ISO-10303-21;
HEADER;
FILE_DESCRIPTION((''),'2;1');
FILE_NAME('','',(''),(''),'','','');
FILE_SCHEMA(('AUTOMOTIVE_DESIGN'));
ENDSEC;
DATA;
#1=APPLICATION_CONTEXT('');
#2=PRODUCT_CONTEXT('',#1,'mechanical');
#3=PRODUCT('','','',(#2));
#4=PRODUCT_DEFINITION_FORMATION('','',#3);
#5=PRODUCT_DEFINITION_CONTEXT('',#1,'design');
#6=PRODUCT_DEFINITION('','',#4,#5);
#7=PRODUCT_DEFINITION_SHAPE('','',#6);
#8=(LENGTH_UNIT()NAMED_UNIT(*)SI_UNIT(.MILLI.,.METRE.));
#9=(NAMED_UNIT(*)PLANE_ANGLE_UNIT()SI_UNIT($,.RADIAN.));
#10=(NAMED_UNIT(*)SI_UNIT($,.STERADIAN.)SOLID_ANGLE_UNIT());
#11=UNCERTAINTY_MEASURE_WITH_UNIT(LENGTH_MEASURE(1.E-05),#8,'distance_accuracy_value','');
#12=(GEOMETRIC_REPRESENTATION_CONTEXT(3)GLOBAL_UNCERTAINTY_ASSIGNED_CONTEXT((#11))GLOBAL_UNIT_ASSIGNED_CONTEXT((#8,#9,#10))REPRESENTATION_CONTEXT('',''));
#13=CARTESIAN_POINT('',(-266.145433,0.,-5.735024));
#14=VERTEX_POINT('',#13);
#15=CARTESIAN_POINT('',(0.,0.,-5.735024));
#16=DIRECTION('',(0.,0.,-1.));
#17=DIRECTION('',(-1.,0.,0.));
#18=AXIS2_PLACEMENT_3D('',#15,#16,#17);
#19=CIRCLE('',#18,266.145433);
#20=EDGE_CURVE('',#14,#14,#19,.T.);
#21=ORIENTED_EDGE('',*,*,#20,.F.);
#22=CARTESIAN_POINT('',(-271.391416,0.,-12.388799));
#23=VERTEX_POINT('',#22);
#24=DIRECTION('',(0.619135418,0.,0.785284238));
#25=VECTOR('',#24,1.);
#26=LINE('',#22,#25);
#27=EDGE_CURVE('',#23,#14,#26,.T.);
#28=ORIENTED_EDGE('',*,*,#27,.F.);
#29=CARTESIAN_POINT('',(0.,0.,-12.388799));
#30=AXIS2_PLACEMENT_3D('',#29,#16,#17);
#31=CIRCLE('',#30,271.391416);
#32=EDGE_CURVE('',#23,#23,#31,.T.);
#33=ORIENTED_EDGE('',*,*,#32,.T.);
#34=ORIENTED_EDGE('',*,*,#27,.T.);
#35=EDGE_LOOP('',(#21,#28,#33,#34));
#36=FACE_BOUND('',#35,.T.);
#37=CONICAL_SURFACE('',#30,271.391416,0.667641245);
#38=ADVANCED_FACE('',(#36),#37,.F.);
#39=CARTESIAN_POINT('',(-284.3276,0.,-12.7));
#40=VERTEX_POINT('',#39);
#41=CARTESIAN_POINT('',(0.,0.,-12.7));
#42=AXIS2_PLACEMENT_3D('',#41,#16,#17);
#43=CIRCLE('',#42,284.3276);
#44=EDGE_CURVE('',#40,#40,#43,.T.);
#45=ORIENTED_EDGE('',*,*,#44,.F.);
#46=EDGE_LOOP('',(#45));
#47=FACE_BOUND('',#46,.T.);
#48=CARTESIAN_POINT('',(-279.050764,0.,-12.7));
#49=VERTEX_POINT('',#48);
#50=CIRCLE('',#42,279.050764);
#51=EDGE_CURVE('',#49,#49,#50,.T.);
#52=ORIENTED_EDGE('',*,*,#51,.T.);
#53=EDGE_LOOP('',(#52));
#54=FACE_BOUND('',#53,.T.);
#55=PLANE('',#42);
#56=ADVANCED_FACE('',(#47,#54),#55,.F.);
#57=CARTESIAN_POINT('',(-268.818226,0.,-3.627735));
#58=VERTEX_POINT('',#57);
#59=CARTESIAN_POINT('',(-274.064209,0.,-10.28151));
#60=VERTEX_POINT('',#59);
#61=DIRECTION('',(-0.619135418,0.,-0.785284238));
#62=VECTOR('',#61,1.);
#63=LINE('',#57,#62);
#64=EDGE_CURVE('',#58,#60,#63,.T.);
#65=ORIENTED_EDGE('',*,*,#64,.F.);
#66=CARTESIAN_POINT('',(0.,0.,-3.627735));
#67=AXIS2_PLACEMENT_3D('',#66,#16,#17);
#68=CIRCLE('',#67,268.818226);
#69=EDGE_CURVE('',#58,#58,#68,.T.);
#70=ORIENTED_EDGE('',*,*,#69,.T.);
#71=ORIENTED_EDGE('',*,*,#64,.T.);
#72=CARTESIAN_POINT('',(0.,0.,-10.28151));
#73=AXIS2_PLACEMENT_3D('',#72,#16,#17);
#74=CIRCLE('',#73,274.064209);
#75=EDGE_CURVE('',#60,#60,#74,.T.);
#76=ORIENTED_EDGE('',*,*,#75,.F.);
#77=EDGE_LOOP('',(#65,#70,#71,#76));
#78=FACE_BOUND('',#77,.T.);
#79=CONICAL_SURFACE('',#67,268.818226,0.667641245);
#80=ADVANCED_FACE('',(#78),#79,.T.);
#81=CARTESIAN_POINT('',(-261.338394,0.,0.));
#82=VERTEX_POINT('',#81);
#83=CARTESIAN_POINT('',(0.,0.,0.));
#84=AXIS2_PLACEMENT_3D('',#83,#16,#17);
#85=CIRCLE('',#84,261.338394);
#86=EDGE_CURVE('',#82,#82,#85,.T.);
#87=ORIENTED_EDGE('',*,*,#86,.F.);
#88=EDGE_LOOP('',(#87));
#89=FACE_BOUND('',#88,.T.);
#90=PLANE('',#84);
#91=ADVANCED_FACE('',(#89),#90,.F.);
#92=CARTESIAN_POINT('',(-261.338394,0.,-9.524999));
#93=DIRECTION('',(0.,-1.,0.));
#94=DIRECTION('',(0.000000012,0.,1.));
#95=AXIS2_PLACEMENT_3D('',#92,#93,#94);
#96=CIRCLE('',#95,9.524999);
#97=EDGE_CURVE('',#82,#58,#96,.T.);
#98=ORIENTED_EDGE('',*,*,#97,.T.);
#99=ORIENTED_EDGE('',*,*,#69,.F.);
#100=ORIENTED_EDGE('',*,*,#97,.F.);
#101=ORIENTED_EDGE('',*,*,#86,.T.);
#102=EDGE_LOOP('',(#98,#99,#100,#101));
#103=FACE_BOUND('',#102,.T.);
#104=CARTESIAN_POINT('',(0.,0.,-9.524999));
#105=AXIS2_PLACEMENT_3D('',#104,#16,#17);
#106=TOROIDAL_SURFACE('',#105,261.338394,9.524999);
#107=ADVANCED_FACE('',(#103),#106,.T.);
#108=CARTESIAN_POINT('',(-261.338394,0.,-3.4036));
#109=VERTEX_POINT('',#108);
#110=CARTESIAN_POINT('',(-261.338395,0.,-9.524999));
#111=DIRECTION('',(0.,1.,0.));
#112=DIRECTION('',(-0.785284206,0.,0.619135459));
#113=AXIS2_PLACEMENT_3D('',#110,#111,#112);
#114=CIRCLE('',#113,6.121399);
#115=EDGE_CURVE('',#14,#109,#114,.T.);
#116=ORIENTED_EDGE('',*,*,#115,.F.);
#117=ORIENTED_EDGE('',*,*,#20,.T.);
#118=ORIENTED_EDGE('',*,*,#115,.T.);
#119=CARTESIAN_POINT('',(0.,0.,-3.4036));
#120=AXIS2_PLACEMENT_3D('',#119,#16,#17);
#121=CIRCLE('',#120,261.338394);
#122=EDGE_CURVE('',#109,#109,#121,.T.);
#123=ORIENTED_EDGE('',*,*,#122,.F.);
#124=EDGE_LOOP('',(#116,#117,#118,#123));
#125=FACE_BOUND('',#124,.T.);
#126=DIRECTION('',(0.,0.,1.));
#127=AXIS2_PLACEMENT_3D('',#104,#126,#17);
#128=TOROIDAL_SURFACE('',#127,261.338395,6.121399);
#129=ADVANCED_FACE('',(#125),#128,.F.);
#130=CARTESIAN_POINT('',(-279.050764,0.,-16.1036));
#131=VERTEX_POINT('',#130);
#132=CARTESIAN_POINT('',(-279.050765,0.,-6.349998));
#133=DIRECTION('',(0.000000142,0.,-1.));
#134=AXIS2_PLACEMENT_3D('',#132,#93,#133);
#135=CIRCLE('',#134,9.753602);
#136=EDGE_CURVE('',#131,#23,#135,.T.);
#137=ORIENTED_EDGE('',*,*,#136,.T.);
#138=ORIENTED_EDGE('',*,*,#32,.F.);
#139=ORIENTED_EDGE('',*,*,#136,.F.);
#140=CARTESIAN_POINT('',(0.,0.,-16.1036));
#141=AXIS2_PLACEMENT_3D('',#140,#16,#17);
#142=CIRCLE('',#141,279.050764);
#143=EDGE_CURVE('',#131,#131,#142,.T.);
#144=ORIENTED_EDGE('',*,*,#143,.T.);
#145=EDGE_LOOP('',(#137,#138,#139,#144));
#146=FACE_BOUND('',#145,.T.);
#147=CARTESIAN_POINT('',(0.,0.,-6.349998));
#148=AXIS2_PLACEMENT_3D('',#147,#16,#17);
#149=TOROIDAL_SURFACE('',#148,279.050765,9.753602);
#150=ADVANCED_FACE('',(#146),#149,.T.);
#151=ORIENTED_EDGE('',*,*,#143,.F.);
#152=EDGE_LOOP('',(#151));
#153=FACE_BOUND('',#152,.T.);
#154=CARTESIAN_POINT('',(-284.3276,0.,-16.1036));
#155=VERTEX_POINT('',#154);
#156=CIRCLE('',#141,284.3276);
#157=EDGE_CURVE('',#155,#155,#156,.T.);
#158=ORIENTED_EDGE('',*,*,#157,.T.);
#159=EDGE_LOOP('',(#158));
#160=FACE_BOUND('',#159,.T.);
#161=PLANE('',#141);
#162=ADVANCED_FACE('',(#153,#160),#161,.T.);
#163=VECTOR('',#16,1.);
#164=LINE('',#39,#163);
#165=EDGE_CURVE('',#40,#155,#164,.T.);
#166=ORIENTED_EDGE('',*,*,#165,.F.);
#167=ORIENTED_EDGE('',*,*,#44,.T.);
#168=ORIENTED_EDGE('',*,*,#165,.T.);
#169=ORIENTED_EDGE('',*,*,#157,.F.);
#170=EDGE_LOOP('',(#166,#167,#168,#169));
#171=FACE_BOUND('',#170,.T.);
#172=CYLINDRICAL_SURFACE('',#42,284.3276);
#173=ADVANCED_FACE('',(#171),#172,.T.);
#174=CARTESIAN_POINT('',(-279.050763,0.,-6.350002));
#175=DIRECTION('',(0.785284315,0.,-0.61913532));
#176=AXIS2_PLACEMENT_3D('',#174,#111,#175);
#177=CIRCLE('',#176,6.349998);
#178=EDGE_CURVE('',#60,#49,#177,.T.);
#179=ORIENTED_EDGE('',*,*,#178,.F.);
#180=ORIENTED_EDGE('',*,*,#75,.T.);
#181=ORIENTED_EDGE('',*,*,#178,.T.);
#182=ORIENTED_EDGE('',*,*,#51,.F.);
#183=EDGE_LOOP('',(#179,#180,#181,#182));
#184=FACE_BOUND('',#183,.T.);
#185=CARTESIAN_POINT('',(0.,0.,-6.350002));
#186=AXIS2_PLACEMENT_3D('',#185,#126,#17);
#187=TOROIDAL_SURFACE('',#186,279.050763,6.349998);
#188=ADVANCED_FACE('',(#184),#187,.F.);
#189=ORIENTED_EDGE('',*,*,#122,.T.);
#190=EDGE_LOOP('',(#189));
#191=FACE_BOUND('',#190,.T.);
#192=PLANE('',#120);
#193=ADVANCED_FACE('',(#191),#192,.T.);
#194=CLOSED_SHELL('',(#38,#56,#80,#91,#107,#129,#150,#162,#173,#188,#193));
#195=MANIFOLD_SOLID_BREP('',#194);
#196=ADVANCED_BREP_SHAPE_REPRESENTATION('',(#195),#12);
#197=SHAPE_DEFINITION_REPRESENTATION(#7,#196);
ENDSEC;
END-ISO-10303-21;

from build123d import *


with BuildPart() as f1:
    # F0 (on Front) → F1 (revolve)
    with BuildSketch(Plane.XZ):
        with BuildLine():
            Line((0, -3.4036), (0, 0))
            Line((0, 0), (-261.338394, 0))
            ThreePointArc((-261.338394, 0), (-265.494966, -0.954788), (-268.818226, -3.627735))
            Line((-268.818226, -3.627735), (-274.064209, -10.28151))
            ThreePointArc((-274.064209, -10.28151), (-276.279716, -12.063475), (-279.050764, -12.7))
            Line((-279.050764, -12.7), (-284.3276, -12.7))
            Line((-284.3276, -12.7), (-284.3276, -16.1036))
            Line((-284.3276, -16.1036), (-279.050764, -16.1036))
            ThreePointArc((-279.050764, -16.1036), (-274.794435, -15.125897), (-271.391416, -12.388799))
            Line((-271.391416, -12.388799), (-266.145433, -5.735024))
            ThreePointArc((-266.145433, -5.735024), (-264.009684, -4.01721), (-261.338394, -3.4036))
            Line((-261.338394, -3.4036), (0, -3.4036))
        make_face()
    revolve(axis=Axis((0, 0, -1.7018), (0, 0, -1)))


solid = f1.part
